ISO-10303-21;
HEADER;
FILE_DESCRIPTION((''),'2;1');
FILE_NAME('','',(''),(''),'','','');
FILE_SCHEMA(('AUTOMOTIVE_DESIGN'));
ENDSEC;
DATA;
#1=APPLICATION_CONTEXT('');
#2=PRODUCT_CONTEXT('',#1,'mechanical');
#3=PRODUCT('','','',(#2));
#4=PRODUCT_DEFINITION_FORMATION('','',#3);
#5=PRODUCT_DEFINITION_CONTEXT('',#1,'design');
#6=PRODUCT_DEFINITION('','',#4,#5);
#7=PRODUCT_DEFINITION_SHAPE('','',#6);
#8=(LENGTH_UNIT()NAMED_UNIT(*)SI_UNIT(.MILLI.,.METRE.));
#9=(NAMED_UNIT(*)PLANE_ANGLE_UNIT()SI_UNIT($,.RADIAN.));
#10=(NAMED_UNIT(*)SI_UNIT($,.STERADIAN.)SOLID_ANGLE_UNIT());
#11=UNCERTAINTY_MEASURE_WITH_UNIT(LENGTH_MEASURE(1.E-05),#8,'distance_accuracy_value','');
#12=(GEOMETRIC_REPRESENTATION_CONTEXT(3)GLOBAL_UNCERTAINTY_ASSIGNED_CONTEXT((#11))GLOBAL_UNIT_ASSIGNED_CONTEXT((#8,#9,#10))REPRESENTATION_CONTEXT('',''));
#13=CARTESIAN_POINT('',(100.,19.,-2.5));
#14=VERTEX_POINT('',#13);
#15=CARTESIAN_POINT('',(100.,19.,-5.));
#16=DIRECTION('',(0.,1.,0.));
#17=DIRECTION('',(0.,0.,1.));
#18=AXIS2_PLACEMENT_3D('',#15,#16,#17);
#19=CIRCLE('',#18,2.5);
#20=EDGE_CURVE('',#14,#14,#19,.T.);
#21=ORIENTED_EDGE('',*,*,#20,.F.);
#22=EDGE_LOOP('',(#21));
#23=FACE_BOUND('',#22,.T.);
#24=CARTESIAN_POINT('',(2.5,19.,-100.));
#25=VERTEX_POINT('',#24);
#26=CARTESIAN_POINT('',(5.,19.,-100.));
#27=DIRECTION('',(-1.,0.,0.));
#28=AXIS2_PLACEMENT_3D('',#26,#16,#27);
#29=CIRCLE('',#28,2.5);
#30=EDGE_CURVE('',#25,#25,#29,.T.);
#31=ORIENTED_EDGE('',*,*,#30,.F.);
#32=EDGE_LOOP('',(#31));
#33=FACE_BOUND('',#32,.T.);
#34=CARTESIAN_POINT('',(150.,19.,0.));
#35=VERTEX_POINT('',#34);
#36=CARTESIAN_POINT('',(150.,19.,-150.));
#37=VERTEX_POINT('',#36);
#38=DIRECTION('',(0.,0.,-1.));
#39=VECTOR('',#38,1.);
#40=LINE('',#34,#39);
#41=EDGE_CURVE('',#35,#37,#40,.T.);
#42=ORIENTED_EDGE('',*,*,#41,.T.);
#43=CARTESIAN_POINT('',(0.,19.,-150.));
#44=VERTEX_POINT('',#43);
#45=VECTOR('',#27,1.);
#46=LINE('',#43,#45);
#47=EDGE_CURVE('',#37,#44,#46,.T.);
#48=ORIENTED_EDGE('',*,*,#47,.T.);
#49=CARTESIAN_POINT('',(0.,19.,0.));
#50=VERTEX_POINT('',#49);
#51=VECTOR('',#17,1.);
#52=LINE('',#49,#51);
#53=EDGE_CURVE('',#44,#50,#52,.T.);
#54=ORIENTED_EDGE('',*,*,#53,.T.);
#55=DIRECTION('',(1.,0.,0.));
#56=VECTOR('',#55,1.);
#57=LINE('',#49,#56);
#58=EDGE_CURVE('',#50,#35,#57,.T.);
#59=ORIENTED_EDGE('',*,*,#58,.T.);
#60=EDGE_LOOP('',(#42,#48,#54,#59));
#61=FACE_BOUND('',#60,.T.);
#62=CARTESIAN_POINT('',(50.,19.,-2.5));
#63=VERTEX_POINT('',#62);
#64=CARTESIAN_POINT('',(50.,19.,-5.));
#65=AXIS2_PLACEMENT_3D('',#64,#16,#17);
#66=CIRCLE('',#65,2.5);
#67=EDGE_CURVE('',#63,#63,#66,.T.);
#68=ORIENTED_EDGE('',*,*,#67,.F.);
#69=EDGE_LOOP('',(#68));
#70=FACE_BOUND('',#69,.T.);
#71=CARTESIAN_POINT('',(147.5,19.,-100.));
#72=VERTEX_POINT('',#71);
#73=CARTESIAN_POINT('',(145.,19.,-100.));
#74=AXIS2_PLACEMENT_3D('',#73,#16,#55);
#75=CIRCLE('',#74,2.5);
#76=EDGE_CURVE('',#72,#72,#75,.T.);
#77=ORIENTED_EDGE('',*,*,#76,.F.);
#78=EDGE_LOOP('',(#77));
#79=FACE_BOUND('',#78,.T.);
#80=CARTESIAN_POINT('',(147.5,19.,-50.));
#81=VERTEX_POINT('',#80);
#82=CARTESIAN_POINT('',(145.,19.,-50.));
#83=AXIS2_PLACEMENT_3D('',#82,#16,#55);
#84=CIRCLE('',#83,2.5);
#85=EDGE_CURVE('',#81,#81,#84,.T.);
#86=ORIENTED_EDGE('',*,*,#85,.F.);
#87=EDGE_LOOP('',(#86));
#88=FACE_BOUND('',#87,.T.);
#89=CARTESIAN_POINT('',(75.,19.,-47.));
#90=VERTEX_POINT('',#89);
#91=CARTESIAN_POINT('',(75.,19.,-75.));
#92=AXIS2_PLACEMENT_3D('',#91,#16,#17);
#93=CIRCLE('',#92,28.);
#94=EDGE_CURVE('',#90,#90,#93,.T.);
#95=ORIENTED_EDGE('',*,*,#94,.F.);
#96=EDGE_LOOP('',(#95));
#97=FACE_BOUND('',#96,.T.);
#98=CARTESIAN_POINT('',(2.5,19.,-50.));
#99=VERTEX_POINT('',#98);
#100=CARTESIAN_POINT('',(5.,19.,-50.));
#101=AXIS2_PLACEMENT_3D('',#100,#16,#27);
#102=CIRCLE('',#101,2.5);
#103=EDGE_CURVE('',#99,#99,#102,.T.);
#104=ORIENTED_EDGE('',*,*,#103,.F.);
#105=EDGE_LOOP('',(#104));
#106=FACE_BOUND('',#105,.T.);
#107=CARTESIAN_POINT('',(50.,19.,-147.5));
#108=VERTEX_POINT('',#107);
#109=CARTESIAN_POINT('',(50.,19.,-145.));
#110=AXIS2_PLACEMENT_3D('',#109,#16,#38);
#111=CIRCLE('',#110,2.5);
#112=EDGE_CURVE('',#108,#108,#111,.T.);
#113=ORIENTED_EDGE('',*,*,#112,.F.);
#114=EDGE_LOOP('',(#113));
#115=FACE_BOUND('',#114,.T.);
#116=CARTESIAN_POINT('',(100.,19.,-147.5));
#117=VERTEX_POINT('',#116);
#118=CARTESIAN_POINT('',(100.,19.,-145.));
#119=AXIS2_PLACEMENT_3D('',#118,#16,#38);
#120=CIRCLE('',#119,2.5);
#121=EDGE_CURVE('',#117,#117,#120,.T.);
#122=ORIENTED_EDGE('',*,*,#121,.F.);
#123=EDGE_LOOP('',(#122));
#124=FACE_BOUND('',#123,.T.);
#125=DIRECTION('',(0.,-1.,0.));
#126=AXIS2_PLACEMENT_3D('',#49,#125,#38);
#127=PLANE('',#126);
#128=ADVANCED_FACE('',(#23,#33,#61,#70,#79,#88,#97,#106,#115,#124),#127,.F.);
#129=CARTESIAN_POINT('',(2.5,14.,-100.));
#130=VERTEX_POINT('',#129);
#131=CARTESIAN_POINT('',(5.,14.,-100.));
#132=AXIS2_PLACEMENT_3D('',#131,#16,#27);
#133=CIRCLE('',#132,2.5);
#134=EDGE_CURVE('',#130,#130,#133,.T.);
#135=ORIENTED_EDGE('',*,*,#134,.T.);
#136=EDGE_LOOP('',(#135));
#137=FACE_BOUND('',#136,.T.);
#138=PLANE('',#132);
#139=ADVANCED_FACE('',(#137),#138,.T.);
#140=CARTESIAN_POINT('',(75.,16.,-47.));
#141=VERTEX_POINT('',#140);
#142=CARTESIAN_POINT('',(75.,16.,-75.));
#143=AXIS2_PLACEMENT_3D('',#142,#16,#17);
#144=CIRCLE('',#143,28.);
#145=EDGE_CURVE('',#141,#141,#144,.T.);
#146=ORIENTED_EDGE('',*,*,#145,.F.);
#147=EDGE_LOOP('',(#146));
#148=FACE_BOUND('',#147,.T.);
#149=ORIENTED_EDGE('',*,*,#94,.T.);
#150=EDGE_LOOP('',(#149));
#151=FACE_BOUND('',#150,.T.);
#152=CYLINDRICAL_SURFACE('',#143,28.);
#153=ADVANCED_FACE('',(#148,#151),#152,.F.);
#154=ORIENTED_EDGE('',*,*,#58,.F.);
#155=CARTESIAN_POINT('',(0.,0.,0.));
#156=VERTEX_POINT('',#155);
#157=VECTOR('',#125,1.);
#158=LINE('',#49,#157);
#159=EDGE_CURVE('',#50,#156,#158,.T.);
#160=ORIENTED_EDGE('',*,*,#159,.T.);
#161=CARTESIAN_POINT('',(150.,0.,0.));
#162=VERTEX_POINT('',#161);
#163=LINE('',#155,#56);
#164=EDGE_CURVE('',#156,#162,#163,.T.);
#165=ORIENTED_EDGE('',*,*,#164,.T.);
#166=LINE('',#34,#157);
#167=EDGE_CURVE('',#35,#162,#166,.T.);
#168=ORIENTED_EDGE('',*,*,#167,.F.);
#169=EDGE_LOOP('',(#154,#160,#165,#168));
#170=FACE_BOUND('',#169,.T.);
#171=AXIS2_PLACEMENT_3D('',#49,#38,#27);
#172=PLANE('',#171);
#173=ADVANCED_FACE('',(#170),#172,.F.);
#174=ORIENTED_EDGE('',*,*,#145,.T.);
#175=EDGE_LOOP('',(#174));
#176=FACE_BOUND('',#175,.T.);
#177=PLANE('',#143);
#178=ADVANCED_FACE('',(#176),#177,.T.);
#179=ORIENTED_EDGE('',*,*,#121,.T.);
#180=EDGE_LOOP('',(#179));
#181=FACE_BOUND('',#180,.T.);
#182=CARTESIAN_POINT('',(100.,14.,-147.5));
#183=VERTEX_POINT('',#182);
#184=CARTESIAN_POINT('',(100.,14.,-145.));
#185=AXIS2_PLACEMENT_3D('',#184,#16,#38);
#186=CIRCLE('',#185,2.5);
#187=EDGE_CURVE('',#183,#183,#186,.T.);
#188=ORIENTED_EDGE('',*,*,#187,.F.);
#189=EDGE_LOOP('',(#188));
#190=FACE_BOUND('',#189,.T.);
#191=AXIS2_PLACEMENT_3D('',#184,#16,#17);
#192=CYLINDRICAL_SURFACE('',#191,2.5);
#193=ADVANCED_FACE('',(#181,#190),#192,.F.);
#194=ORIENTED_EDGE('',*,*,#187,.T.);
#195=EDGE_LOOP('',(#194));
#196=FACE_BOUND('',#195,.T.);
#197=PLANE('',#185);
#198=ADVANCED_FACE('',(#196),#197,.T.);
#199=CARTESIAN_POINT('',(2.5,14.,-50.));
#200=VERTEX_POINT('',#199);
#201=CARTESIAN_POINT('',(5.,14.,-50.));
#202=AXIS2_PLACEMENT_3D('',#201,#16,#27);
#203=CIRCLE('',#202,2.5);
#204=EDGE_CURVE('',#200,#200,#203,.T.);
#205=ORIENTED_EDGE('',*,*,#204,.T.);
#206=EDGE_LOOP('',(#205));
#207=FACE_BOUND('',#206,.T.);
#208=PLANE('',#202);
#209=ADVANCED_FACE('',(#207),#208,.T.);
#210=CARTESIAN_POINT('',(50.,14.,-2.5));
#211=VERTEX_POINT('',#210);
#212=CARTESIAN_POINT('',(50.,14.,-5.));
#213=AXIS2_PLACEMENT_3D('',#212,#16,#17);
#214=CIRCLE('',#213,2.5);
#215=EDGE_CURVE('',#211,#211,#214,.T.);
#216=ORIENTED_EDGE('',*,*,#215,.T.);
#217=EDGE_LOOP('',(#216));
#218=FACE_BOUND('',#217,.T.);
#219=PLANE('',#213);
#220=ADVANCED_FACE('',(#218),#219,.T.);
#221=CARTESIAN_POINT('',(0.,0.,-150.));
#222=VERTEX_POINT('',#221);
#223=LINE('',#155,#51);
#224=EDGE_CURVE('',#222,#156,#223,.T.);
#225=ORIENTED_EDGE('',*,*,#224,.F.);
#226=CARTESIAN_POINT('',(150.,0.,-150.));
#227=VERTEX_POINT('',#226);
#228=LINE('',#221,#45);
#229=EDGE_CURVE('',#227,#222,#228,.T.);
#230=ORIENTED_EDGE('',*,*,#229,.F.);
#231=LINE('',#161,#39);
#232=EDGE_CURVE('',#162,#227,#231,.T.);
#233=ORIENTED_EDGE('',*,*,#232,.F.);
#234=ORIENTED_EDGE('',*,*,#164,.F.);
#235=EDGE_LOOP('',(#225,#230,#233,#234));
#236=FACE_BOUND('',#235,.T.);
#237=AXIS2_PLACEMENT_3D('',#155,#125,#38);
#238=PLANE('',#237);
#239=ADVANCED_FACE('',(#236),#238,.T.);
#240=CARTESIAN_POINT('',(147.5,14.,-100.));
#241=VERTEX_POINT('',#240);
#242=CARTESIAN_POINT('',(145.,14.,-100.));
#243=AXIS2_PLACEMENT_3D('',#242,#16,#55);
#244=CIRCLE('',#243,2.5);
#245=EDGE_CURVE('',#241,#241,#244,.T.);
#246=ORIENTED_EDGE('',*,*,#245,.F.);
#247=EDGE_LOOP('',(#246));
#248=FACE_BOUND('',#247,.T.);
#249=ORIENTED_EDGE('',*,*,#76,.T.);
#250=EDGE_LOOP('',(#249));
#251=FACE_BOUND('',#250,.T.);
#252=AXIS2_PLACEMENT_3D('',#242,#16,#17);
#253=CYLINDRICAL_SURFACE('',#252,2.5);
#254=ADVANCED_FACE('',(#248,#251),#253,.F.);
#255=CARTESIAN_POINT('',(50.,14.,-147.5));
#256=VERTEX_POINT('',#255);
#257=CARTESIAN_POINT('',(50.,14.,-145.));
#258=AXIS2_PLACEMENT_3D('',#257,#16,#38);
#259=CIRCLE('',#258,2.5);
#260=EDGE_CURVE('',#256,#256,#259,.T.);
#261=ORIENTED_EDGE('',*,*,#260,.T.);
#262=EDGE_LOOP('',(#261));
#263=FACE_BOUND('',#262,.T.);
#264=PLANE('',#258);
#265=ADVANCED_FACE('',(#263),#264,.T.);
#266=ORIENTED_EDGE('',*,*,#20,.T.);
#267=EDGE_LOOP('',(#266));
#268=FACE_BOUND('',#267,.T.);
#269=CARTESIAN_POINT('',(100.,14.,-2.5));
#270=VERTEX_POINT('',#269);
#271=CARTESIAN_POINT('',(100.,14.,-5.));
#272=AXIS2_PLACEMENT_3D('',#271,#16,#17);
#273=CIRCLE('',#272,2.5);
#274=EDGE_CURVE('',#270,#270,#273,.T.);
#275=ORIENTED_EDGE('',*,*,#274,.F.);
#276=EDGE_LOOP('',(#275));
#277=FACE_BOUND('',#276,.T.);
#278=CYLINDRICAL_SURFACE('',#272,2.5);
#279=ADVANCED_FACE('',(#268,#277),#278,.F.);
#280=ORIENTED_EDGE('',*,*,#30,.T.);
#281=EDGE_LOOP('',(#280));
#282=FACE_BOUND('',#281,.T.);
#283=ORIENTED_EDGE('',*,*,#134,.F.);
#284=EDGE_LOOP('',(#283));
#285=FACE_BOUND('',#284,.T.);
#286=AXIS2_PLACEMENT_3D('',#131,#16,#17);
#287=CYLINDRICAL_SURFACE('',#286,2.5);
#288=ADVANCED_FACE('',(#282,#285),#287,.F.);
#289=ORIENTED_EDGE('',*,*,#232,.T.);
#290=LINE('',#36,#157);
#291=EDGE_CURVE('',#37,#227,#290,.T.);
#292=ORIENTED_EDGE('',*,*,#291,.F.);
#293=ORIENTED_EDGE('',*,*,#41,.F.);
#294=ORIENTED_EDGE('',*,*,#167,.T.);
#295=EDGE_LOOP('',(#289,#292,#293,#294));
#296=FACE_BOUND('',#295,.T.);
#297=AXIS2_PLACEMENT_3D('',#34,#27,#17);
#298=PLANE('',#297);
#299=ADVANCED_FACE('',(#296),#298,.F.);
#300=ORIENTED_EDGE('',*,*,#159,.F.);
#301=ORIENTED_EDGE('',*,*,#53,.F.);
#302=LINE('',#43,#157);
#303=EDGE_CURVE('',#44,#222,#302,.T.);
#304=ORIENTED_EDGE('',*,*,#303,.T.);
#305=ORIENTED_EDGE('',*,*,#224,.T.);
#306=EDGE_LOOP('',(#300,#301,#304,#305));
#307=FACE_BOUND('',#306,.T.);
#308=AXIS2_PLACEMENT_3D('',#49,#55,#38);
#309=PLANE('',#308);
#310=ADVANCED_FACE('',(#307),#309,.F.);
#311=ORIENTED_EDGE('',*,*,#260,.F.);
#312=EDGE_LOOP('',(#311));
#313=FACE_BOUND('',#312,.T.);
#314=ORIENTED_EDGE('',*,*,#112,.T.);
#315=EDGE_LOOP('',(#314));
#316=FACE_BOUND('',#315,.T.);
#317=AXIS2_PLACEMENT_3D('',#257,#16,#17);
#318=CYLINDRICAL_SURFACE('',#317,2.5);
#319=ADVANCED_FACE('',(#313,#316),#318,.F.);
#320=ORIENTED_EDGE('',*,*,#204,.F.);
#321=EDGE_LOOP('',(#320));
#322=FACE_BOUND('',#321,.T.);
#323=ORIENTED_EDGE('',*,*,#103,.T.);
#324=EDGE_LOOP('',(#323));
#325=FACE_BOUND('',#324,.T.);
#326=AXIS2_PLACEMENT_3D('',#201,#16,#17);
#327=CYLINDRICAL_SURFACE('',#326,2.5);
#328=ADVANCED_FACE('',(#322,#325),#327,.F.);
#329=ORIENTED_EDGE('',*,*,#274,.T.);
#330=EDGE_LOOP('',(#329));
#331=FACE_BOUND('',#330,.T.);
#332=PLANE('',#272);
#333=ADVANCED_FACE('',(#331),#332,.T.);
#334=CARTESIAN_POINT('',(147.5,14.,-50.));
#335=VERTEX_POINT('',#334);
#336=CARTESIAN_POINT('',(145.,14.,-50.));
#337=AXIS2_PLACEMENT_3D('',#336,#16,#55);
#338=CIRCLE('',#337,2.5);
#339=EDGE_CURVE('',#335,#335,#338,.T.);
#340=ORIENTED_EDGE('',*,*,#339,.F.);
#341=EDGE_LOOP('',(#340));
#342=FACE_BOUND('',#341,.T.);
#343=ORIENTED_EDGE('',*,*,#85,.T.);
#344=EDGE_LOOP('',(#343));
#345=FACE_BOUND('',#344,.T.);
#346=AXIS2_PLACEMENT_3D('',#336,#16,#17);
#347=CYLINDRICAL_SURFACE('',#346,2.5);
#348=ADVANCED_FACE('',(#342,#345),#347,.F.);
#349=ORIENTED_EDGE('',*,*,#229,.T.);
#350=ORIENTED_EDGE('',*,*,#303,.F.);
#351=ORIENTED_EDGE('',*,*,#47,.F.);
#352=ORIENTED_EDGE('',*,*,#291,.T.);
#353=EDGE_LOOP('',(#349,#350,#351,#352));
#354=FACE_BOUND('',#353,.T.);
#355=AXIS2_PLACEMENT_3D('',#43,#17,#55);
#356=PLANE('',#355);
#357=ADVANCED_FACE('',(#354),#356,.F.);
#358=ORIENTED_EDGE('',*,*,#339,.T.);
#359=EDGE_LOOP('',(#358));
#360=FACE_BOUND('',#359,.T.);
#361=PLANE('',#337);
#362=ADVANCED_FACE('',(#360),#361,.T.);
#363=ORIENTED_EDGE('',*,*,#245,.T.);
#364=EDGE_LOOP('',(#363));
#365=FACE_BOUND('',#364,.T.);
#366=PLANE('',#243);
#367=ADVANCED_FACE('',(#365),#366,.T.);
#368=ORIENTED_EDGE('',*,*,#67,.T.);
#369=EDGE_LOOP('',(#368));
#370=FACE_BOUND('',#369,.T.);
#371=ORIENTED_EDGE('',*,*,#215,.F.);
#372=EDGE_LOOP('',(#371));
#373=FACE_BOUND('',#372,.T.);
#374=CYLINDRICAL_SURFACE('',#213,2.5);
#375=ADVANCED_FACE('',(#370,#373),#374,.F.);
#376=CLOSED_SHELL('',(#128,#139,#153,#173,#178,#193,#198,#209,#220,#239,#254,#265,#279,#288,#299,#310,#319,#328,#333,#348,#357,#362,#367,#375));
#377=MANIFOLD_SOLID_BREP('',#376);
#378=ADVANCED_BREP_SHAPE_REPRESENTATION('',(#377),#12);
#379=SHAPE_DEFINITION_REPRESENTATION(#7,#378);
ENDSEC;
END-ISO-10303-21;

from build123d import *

# Parameters (mm, degrees)
SKETCH1_W           = 150
SKETCH1_H           = 150
BOSS_EXTRUDE1_DEPTH = 19
SKETCH2_R           = 28
CUT_EXTRUDE1_DEPTH  = 3
SKETCH3_R           = 2.5
CUT_EXTRUDE2_DEPTH  = 5
CIRPATTERN1_COUNT   = 4


with BuildPart() as part:
    # Sketch1 → Boss-Extrude1 (new body)
    with BuildSketch(Plane(origin=(0, 0, 0), x_dir=(1, 0, 0), z_dir=(0, 1, 0))):
        with Locations((75, 75)):
            Rectangle(SKETCH1_W, SKETCH1_H)
    extrude(amount=BOSS_EXTRUDE1_DEPTH)

    # Sketch2 → Cut-Extrude1 (cut)
    with BuildSketch(Plane(origin=(0, 19, 0), x_dir=(1, 0, 0), z_dir=(0, 1, 0))):
        with Locations((75, 75)):
            Circle(SKETCH2_R)
    extrude(amount=-CUT_EXTRUDE1_DEPTH, mode=Mode.SUBTRACT)

    # Sketch3 → Cut-Extrude2 (cut)
    with BuildSketch(Plane(origin=(0, 19, 0), x_dir=(1, 0, 0), z_dir=(0, 1, 0))):
        with Locations((100, 5)):
            Circle(SKETCH3_R)
        with Locations((50, 5)):
            Circle(SKETCH3_R)
    cut_extrude2 = extrude(amount=-CUT_EXTRUDE2_DEPTH, mode=Mode.SUBTRACT)

    # CirPattern1: Cut-Extrude2 ×4 about axis
    cirpattern1_axis = Axis((75, 16, -75), (0, 1, 0))
    for i in range(1, CIRPATTERN1_COUNT):
        add(cut_extrude2.rotate(cirpattern1_axis, i * 360 / CIRPATTERN1_COUNT), mode=Mode.SUBTRACT)


solid = part.part
